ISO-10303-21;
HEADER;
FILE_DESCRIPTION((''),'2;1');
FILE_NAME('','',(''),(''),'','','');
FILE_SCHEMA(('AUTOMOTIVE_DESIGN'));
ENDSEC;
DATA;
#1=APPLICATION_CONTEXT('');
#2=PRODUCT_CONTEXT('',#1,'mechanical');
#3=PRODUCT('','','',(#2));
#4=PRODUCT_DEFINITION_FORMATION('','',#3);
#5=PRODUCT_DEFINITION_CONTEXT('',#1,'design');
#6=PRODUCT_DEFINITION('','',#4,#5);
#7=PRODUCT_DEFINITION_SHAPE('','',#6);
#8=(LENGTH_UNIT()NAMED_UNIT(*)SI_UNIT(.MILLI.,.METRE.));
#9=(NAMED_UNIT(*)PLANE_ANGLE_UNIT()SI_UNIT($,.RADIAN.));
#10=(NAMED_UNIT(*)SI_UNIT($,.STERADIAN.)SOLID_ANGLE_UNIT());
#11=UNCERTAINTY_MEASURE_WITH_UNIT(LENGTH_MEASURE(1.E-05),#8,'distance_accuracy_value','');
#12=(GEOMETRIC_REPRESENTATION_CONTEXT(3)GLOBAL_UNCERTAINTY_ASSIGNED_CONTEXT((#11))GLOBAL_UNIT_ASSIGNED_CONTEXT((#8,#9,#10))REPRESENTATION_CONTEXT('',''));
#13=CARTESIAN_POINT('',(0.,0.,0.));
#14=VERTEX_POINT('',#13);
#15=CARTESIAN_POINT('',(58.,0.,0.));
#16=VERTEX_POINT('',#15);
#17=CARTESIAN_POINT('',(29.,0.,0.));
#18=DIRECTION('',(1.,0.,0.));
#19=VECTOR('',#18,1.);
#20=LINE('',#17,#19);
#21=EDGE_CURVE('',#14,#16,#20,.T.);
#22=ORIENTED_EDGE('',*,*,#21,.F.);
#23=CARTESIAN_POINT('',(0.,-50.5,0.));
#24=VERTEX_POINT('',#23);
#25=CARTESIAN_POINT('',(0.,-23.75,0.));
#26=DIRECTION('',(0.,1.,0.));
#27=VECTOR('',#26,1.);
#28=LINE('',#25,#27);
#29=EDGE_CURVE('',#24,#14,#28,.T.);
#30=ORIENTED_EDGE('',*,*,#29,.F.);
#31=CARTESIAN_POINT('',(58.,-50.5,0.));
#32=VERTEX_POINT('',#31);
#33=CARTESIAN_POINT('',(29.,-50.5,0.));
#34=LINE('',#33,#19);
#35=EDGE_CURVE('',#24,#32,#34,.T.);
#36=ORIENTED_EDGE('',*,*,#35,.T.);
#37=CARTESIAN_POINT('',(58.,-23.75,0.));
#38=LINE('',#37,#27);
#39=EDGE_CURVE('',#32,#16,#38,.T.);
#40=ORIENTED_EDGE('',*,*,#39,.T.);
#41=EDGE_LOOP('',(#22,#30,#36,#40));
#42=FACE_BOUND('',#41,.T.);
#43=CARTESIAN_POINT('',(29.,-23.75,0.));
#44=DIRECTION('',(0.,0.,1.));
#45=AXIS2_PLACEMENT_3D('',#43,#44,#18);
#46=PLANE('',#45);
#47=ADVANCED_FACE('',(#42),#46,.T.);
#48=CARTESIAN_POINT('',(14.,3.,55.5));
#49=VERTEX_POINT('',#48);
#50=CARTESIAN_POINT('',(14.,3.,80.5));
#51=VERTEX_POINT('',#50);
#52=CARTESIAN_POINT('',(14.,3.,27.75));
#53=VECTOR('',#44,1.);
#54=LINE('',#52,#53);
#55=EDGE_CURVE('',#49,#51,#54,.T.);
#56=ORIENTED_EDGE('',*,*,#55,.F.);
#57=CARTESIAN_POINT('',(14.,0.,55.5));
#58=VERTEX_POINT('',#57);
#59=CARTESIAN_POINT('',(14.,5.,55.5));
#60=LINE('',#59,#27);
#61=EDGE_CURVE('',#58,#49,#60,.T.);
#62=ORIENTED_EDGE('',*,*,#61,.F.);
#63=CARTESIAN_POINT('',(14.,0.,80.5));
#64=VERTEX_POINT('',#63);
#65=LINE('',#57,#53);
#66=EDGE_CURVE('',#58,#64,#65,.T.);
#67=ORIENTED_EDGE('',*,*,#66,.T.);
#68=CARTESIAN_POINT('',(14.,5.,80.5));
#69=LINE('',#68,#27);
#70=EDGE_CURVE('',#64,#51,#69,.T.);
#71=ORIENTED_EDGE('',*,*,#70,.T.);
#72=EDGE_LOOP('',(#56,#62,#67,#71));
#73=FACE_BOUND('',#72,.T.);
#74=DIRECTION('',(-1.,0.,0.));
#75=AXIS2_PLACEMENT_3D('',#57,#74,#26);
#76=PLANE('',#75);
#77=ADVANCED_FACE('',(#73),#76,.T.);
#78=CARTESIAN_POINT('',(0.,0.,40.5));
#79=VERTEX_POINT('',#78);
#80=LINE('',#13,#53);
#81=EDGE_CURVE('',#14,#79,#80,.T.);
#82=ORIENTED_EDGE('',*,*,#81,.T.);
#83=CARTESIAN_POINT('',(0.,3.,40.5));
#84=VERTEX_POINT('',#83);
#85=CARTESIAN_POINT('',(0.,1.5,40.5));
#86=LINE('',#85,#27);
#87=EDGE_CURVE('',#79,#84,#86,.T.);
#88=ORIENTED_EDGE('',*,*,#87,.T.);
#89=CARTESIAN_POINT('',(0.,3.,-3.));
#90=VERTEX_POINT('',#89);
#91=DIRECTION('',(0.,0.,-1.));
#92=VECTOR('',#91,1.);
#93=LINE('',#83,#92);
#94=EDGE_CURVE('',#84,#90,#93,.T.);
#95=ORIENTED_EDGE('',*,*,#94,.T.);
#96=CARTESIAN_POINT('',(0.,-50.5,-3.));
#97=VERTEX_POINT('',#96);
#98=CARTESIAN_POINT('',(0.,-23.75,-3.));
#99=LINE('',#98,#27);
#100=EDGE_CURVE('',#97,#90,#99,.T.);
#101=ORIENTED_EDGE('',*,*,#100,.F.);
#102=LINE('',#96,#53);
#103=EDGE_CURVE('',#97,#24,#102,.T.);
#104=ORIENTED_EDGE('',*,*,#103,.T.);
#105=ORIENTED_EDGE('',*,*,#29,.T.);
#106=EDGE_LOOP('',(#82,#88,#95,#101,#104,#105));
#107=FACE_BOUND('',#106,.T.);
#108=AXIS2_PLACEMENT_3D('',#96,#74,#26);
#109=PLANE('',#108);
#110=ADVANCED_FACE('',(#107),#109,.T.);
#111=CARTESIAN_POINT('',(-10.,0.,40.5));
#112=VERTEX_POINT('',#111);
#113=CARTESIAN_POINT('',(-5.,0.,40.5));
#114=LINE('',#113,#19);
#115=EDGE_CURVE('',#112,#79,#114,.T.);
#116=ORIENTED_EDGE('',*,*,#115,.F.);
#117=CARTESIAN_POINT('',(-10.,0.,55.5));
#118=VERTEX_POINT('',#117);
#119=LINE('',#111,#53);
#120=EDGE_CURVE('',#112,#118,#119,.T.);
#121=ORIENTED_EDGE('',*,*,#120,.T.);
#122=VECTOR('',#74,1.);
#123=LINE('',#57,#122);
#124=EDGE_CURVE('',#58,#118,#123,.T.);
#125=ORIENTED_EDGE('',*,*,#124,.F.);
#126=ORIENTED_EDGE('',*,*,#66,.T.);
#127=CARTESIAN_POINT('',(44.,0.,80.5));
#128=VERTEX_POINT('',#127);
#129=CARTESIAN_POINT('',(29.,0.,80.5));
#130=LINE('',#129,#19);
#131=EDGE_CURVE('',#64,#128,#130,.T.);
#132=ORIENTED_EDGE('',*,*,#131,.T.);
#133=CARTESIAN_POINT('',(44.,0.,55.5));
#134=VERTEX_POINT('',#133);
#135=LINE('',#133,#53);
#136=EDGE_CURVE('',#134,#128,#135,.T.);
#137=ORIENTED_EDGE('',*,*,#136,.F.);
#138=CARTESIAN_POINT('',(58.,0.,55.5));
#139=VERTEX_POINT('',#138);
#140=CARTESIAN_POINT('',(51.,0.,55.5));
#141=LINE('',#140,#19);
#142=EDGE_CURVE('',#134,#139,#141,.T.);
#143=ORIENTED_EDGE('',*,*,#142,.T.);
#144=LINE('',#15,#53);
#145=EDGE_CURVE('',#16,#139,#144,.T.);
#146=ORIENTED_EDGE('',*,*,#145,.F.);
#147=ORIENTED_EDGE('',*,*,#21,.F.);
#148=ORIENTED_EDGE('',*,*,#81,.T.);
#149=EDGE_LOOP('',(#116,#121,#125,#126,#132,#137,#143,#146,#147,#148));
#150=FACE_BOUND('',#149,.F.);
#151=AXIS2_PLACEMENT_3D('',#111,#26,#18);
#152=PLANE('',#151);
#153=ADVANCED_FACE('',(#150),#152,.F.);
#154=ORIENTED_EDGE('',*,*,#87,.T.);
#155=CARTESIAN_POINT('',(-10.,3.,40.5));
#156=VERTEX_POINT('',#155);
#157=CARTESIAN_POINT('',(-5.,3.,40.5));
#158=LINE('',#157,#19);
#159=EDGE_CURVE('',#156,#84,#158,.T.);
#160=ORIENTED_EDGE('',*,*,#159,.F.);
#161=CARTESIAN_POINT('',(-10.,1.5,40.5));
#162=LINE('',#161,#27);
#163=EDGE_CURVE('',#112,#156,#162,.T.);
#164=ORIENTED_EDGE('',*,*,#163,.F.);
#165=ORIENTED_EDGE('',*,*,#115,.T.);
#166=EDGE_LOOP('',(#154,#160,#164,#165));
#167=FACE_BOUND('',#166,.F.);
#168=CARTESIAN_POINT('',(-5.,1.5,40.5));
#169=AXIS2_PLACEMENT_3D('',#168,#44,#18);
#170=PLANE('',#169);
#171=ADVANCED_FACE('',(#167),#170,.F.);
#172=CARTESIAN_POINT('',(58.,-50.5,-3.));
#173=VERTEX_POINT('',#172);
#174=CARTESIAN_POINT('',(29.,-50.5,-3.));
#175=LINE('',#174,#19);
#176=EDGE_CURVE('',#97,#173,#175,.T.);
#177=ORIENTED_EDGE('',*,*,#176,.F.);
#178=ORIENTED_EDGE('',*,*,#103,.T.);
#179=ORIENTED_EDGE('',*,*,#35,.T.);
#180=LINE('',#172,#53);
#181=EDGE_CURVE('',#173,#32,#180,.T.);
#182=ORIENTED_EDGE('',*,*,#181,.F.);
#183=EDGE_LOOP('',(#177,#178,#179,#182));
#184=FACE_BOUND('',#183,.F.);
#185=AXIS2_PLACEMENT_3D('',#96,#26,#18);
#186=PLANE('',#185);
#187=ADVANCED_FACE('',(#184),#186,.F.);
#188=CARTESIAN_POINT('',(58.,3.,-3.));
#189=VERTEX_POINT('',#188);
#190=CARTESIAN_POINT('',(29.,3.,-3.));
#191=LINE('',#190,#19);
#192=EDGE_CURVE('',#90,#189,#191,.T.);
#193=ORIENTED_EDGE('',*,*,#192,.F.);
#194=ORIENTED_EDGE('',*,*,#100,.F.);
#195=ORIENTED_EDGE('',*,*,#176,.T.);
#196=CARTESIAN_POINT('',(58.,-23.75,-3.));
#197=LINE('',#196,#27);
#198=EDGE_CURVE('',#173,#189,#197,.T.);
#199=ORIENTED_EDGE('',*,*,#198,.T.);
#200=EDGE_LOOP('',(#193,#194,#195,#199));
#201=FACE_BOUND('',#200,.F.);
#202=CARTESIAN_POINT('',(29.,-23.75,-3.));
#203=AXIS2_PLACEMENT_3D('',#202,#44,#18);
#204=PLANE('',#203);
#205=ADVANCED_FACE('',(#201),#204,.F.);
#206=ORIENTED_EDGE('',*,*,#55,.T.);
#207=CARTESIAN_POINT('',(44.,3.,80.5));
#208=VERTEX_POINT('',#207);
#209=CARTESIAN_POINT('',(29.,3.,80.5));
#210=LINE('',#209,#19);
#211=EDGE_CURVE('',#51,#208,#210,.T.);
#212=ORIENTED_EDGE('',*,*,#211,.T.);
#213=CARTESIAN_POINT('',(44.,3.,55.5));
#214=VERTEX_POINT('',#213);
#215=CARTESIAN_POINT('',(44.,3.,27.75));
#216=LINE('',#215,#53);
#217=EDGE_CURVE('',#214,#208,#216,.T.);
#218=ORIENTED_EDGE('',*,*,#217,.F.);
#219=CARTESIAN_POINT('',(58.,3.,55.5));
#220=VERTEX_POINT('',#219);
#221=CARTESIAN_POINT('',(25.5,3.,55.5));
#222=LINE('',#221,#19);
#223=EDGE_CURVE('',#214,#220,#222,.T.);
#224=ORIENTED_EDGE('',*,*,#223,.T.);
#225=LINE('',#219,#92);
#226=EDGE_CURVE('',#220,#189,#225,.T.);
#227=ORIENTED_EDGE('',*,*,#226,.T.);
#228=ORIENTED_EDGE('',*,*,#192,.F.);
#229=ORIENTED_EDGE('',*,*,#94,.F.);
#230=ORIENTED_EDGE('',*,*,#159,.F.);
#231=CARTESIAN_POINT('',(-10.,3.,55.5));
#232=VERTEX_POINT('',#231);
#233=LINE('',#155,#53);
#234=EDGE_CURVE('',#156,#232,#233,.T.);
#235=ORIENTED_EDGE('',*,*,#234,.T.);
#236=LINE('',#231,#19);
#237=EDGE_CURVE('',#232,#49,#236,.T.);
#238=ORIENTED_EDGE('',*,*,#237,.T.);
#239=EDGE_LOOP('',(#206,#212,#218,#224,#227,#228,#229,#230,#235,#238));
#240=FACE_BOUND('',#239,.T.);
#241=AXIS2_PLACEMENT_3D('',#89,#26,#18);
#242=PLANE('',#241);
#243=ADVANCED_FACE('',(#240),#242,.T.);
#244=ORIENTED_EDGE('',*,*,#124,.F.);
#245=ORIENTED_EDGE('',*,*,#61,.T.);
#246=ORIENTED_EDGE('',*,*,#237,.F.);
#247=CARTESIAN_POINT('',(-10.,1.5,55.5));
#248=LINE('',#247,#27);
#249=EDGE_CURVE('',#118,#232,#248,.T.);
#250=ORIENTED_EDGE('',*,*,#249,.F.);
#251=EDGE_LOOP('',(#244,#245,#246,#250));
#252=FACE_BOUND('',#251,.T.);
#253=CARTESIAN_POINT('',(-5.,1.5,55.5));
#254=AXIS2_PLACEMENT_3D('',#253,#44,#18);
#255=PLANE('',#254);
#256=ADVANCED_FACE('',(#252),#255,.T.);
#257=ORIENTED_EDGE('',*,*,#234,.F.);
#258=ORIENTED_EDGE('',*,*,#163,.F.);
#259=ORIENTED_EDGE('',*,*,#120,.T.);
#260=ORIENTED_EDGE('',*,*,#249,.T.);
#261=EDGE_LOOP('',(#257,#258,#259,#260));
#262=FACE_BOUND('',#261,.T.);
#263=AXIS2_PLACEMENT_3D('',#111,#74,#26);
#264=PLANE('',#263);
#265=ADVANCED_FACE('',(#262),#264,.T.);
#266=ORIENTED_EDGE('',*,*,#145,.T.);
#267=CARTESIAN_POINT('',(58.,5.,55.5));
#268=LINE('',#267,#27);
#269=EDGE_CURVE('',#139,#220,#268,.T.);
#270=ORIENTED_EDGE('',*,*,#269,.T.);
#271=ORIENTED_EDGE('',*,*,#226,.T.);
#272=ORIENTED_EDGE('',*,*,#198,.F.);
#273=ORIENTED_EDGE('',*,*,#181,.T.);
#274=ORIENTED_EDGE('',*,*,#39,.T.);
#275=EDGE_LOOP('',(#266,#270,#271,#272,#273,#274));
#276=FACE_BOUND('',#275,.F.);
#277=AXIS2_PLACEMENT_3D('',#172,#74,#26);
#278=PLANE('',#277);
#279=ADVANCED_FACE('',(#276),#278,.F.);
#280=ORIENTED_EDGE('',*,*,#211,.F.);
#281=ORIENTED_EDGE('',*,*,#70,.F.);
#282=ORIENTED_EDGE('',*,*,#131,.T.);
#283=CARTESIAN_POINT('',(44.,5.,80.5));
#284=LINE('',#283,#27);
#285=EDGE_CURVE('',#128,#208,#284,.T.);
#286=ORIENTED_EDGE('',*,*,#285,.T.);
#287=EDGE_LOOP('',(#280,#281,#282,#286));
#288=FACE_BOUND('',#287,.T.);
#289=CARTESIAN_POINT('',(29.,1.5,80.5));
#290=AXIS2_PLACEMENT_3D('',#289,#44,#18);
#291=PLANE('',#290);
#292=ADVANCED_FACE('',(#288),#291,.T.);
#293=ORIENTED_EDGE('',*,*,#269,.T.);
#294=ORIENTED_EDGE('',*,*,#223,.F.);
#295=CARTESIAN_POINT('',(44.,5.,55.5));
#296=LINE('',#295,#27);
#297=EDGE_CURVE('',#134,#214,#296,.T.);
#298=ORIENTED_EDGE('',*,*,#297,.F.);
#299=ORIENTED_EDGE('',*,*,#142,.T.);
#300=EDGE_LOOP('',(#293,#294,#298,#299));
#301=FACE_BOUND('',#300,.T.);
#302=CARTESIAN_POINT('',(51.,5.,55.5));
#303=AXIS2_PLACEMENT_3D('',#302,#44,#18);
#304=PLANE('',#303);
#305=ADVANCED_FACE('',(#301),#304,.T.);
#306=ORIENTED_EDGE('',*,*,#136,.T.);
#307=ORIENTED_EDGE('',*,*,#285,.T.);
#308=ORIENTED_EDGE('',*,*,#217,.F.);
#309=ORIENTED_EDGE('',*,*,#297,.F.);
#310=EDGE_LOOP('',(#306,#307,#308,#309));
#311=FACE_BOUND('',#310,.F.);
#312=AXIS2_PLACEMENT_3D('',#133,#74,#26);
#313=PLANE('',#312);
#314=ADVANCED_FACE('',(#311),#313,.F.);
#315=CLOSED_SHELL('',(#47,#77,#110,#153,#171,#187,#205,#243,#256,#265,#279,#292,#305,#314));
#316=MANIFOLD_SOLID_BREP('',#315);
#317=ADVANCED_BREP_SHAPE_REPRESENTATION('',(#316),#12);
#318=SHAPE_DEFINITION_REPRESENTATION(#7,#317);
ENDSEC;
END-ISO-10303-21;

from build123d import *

# Parameters (mm, degrees)
BOX015001038_W     = 58
BOX015001038_H     = 53.5
BOX015001038_DEPTH = 3
BOX015001039_W     = 10
BOX015001039_H     = 3
BOX015001039_DEPTH = 15
BOX015001041_W     = 14
BOX015001041_H     = 10
BOX015001041_DEPTH = 25
BOX015001040_W     = 14
BOX015001040_H     = 10
BOX015001040_DEPTH = 25
BOX015001037_W     = 58
BOX015001037_H     = 3
BOX015001037_DEPTH = 80.5


with BuildPart() as cube034:
    # Box015001038 → Box015001038 (new body)
    with BuildSketch(Plane(origin=(0, -50.5, -3), x_dir=(1, 0, 0), z_dir=(0, 0, 1))):
        with Locations((29, 26.75)):
            Rectangle(BOX015001038_W, BOX015001038_H)
    extrude(amount=BOX015001038_DEPTH)


with BuildPart() as cube035:
    # Box015001039 → Box015001039 (new body)
    with BuildSketch(Plane(origin=(-10, 0, 40.5), x_dir=(1, 0, 0), z_dir=(0, 0, 1))):
        with Locations((5, 1.5)):
            Rectangle(BOX015001039_W, BOX015001039_H)
    extrude(amount=BOX015001039_DEPTH)


with BuildPart() as cube037:
    # Box015001041 → Box015001041 (new body)
    with BuildSketch(Plane(origin=(44, 0, 55.5), x_dir=(1, 0, 0), z_dir=(0, 0, 1))):
        with Locations((7, 5)):
            Rectangle(BOX015001041_W, BOX015001041_H)
    extrude(amount=BOX015001041_DEPTH)


with BuildPart() as cube036:
    # Box015001040 → Box015001040 (new body)
    with BuildSketch(Plane.XY.offset(55.5)):
        with Locations((7, 5)):
            Rectangle(BOX015001040_W, BOX015001040_H)
    extrude(amount=BOX015001040_DEPTH)


with BuildPart() as fusion001019007:
    # Box015001037 → Box015001037 (new body)
    with BuildSketch(Plane.XY):
        with Locations((29, 1.5)):
            Rectangle(BOX015001037_W, BOX015001037_H)
    extrude(amount=BOX015001037_DEPTH)

    # Cut003047: cut Cube036
    add(cube036.part, mode=Mode.SUBTRACT)

    # Cut003048: cut Cube037
    add(cube037.part, mode=Mode.SUBTRACT)

    # Fusion001019006: union Cube035
    add(cube035.part)

    # Fusion001019007: union Cube034
    add(cube034.part)


solid = fusion001019007.part
